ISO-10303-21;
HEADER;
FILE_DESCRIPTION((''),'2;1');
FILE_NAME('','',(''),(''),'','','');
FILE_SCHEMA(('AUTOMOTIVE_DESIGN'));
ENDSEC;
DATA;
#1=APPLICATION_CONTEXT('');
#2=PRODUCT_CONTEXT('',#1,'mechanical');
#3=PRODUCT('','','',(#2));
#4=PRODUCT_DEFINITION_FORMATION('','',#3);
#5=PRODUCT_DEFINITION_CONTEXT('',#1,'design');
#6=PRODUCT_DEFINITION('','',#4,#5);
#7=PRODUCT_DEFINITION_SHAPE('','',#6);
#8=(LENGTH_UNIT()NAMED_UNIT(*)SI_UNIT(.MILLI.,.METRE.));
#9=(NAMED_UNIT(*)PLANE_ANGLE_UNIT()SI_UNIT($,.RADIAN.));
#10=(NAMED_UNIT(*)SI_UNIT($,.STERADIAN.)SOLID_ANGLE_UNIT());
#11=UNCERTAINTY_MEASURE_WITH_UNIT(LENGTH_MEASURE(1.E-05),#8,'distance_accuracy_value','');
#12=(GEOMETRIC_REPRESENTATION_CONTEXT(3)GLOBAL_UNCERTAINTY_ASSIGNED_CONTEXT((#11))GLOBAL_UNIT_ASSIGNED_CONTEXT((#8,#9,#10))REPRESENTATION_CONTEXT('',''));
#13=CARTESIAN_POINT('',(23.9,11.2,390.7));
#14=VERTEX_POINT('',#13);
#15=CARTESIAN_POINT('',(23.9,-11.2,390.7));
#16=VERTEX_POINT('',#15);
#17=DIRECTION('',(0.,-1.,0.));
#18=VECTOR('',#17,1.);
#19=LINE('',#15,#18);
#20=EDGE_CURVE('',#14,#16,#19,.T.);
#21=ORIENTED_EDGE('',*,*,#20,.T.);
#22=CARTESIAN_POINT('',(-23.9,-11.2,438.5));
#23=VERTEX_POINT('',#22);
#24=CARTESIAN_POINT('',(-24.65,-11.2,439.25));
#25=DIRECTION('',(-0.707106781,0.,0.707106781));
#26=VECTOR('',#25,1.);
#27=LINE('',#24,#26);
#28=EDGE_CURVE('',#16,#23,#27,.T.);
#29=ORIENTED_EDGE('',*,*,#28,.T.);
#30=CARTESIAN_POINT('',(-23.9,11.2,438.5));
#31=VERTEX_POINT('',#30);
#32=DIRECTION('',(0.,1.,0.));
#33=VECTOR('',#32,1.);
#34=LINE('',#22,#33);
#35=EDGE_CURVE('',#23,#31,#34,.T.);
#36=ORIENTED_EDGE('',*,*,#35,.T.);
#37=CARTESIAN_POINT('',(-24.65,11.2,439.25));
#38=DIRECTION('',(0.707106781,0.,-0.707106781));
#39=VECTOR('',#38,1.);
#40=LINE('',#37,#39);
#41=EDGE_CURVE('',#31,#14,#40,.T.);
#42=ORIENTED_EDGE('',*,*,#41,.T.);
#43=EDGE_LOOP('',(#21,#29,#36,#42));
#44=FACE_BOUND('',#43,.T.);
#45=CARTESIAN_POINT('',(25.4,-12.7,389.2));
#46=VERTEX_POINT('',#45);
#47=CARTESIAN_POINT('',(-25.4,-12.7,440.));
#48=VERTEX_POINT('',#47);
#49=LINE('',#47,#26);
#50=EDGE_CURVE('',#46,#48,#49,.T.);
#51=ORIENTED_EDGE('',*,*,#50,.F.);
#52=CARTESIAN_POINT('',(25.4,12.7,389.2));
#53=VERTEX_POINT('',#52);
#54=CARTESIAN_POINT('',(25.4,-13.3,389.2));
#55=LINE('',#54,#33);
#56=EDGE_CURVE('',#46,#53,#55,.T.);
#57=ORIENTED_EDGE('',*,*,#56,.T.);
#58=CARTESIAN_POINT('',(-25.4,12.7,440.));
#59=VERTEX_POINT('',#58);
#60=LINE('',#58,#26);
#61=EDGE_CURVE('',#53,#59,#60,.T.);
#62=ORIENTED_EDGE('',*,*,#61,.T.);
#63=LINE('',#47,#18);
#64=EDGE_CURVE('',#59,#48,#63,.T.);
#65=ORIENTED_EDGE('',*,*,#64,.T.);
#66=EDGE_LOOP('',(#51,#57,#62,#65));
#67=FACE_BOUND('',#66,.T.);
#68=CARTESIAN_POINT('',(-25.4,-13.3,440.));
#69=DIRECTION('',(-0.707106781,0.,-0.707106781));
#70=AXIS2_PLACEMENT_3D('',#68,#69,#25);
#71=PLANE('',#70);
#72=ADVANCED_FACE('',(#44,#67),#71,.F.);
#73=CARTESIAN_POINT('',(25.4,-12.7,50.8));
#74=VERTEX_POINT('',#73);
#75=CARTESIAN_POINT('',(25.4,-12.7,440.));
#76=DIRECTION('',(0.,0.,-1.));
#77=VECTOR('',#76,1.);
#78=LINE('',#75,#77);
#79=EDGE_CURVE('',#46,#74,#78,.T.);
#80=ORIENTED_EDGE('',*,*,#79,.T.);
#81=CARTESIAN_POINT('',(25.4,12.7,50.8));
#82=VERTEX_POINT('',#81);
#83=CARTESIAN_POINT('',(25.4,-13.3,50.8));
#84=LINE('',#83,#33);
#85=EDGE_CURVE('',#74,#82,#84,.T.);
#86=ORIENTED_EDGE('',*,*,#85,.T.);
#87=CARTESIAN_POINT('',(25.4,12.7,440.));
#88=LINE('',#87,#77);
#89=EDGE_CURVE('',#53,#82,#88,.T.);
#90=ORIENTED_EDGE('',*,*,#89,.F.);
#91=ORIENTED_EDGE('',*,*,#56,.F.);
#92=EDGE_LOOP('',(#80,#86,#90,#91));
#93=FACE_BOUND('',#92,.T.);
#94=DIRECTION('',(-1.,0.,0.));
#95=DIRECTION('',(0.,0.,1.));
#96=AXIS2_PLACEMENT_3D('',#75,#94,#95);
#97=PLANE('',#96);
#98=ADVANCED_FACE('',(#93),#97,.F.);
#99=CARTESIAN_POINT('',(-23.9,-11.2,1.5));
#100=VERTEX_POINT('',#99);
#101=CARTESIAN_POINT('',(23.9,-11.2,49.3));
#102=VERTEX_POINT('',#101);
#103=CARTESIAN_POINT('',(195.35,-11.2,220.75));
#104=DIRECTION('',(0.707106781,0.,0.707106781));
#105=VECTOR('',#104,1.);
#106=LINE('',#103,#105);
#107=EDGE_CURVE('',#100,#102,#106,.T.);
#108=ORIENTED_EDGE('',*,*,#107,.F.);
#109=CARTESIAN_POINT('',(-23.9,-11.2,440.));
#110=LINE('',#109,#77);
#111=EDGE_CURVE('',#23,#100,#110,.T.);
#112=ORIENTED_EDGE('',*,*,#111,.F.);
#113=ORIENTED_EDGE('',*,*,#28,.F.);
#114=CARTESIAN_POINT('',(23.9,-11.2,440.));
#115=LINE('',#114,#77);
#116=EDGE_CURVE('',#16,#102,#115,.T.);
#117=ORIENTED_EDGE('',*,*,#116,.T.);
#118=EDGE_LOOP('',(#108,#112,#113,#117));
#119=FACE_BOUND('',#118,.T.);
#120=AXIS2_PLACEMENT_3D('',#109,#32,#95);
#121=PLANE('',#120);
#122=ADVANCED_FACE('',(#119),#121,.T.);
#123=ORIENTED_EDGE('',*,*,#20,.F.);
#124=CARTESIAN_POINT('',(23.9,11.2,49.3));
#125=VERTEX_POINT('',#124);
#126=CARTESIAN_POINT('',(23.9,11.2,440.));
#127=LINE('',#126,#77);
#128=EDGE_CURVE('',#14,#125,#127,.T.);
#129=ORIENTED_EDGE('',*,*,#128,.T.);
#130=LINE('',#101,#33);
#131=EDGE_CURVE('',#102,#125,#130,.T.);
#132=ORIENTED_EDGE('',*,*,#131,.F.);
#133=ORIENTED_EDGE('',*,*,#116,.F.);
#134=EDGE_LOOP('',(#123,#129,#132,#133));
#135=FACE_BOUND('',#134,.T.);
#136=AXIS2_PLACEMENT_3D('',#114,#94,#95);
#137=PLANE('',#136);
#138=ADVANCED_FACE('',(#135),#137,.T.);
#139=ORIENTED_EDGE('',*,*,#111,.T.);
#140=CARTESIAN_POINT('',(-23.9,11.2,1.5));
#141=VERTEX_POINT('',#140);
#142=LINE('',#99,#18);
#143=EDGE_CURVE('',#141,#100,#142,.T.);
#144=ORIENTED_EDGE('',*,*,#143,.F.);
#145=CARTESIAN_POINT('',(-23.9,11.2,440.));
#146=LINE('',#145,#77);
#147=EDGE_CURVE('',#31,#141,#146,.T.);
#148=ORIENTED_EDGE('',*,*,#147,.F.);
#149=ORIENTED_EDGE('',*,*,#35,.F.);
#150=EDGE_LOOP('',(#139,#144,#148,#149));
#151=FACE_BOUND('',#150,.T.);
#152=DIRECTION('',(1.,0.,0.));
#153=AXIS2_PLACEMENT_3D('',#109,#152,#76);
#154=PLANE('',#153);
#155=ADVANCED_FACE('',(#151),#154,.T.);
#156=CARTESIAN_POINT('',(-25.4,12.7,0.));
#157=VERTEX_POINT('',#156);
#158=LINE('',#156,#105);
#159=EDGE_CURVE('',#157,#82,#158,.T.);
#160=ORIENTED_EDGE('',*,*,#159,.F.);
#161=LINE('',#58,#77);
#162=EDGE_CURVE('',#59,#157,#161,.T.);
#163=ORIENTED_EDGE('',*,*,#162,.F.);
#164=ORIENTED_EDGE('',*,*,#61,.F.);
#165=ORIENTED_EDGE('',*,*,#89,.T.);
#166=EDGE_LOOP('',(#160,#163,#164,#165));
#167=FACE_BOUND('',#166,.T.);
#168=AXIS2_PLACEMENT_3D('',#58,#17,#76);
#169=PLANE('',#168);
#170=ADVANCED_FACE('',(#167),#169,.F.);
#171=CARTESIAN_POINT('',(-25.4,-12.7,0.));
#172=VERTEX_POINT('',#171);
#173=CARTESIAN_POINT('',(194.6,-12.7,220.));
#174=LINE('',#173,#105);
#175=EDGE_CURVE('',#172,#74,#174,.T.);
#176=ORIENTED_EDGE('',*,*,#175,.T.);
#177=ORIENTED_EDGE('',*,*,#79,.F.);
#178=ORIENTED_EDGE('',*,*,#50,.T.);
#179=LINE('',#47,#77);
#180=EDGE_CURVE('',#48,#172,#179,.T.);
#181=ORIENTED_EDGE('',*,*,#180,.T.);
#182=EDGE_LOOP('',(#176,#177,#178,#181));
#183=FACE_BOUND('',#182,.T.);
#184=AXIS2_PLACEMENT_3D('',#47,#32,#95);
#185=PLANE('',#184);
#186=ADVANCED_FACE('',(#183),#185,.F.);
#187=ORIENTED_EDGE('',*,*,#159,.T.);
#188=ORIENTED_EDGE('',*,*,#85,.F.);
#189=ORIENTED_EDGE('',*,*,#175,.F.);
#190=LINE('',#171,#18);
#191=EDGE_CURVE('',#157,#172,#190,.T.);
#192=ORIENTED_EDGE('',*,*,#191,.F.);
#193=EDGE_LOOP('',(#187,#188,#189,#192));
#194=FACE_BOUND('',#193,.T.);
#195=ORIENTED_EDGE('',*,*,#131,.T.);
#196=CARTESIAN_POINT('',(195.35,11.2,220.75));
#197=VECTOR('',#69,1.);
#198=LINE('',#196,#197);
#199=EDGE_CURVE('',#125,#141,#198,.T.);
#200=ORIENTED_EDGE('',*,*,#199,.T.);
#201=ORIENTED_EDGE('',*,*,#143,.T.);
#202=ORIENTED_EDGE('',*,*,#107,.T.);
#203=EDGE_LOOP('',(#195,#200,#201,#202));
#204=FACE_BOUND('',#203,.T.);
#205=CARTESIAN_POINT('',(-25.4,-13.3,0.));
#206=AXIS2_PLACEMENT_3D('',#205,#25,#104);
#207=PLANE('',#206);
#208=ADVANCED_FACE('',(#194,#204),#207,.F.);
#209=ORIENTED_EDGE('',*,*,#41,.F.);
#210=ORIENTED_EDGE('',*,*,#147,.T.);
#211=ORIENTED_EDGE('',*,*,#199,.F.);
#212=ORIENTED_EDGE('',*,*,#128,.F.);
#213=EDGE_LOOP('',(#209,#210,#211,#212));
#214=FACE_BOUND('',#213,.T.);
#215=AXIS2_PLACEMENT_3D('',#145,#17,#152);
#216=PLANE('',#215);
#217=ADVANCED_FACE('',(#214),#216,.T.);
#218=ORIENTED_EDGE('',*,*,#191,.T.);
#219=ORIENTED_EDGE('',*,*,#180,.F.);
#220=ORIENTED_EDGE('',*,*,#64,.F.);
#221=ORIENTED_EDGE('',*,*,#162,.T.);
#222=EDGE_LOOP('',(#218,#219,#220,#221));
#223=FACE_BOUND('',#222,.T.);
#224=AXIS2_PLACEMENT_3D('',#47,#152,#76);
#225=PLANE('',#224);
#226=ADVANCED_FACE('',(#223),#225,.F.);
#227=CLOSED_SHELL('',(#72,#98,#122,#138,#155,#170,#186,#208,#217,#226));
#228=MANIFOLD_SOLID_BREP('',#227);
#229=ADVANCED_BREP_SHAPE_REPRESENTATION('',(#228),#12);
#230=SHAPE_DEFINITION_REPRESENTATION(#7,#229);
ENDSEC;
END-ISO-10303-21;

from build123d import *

# Parameters (mm, degrees)
CROQUIS1_W              = 50.8
CROQUIS1_H              = 25.4
CROQUIS1_W_2            = 47.8
CROQUIS1_H_2            = 22.4
SALIENTE_EXTRUIR1_DEPTH = 440
CORTAR_EXTRUIR1_DEPTH   = 26


with BuildPart() as part:
    # Croquis1 → Saliente-Extruir1 (new body)
    with BuildSketch(Plane.XY):
        Rectangle(CROQUIS1_W, CROQUIS1_H)
        Rectangle(CROQUIS1_W_2, CROQUIS1_H_2, mode=Mode.SUBTRACT)
    extrude(amount=SALIENTE_EXTRUIR1_DEPTH)

    # Croquis2 → Cortar-Extruir1 (cut)
    with BuildSketch(Plane(origin=(0, 12.7, 0), x_dir=(1, 0, 0), z_dir=(0, 1, 0))):
        Polygon((-25.4, 0), (25.4, -50.8), (25.4, 0), align=None)
        Polygon((25.4, -389.2), (25.4, -440), (-25.4, -440), align=None)
    extrude(amount=-CORTAR_EXTRUIR1_DEPTH, mode=Mode.SUBTRACT)


solid = part.part
